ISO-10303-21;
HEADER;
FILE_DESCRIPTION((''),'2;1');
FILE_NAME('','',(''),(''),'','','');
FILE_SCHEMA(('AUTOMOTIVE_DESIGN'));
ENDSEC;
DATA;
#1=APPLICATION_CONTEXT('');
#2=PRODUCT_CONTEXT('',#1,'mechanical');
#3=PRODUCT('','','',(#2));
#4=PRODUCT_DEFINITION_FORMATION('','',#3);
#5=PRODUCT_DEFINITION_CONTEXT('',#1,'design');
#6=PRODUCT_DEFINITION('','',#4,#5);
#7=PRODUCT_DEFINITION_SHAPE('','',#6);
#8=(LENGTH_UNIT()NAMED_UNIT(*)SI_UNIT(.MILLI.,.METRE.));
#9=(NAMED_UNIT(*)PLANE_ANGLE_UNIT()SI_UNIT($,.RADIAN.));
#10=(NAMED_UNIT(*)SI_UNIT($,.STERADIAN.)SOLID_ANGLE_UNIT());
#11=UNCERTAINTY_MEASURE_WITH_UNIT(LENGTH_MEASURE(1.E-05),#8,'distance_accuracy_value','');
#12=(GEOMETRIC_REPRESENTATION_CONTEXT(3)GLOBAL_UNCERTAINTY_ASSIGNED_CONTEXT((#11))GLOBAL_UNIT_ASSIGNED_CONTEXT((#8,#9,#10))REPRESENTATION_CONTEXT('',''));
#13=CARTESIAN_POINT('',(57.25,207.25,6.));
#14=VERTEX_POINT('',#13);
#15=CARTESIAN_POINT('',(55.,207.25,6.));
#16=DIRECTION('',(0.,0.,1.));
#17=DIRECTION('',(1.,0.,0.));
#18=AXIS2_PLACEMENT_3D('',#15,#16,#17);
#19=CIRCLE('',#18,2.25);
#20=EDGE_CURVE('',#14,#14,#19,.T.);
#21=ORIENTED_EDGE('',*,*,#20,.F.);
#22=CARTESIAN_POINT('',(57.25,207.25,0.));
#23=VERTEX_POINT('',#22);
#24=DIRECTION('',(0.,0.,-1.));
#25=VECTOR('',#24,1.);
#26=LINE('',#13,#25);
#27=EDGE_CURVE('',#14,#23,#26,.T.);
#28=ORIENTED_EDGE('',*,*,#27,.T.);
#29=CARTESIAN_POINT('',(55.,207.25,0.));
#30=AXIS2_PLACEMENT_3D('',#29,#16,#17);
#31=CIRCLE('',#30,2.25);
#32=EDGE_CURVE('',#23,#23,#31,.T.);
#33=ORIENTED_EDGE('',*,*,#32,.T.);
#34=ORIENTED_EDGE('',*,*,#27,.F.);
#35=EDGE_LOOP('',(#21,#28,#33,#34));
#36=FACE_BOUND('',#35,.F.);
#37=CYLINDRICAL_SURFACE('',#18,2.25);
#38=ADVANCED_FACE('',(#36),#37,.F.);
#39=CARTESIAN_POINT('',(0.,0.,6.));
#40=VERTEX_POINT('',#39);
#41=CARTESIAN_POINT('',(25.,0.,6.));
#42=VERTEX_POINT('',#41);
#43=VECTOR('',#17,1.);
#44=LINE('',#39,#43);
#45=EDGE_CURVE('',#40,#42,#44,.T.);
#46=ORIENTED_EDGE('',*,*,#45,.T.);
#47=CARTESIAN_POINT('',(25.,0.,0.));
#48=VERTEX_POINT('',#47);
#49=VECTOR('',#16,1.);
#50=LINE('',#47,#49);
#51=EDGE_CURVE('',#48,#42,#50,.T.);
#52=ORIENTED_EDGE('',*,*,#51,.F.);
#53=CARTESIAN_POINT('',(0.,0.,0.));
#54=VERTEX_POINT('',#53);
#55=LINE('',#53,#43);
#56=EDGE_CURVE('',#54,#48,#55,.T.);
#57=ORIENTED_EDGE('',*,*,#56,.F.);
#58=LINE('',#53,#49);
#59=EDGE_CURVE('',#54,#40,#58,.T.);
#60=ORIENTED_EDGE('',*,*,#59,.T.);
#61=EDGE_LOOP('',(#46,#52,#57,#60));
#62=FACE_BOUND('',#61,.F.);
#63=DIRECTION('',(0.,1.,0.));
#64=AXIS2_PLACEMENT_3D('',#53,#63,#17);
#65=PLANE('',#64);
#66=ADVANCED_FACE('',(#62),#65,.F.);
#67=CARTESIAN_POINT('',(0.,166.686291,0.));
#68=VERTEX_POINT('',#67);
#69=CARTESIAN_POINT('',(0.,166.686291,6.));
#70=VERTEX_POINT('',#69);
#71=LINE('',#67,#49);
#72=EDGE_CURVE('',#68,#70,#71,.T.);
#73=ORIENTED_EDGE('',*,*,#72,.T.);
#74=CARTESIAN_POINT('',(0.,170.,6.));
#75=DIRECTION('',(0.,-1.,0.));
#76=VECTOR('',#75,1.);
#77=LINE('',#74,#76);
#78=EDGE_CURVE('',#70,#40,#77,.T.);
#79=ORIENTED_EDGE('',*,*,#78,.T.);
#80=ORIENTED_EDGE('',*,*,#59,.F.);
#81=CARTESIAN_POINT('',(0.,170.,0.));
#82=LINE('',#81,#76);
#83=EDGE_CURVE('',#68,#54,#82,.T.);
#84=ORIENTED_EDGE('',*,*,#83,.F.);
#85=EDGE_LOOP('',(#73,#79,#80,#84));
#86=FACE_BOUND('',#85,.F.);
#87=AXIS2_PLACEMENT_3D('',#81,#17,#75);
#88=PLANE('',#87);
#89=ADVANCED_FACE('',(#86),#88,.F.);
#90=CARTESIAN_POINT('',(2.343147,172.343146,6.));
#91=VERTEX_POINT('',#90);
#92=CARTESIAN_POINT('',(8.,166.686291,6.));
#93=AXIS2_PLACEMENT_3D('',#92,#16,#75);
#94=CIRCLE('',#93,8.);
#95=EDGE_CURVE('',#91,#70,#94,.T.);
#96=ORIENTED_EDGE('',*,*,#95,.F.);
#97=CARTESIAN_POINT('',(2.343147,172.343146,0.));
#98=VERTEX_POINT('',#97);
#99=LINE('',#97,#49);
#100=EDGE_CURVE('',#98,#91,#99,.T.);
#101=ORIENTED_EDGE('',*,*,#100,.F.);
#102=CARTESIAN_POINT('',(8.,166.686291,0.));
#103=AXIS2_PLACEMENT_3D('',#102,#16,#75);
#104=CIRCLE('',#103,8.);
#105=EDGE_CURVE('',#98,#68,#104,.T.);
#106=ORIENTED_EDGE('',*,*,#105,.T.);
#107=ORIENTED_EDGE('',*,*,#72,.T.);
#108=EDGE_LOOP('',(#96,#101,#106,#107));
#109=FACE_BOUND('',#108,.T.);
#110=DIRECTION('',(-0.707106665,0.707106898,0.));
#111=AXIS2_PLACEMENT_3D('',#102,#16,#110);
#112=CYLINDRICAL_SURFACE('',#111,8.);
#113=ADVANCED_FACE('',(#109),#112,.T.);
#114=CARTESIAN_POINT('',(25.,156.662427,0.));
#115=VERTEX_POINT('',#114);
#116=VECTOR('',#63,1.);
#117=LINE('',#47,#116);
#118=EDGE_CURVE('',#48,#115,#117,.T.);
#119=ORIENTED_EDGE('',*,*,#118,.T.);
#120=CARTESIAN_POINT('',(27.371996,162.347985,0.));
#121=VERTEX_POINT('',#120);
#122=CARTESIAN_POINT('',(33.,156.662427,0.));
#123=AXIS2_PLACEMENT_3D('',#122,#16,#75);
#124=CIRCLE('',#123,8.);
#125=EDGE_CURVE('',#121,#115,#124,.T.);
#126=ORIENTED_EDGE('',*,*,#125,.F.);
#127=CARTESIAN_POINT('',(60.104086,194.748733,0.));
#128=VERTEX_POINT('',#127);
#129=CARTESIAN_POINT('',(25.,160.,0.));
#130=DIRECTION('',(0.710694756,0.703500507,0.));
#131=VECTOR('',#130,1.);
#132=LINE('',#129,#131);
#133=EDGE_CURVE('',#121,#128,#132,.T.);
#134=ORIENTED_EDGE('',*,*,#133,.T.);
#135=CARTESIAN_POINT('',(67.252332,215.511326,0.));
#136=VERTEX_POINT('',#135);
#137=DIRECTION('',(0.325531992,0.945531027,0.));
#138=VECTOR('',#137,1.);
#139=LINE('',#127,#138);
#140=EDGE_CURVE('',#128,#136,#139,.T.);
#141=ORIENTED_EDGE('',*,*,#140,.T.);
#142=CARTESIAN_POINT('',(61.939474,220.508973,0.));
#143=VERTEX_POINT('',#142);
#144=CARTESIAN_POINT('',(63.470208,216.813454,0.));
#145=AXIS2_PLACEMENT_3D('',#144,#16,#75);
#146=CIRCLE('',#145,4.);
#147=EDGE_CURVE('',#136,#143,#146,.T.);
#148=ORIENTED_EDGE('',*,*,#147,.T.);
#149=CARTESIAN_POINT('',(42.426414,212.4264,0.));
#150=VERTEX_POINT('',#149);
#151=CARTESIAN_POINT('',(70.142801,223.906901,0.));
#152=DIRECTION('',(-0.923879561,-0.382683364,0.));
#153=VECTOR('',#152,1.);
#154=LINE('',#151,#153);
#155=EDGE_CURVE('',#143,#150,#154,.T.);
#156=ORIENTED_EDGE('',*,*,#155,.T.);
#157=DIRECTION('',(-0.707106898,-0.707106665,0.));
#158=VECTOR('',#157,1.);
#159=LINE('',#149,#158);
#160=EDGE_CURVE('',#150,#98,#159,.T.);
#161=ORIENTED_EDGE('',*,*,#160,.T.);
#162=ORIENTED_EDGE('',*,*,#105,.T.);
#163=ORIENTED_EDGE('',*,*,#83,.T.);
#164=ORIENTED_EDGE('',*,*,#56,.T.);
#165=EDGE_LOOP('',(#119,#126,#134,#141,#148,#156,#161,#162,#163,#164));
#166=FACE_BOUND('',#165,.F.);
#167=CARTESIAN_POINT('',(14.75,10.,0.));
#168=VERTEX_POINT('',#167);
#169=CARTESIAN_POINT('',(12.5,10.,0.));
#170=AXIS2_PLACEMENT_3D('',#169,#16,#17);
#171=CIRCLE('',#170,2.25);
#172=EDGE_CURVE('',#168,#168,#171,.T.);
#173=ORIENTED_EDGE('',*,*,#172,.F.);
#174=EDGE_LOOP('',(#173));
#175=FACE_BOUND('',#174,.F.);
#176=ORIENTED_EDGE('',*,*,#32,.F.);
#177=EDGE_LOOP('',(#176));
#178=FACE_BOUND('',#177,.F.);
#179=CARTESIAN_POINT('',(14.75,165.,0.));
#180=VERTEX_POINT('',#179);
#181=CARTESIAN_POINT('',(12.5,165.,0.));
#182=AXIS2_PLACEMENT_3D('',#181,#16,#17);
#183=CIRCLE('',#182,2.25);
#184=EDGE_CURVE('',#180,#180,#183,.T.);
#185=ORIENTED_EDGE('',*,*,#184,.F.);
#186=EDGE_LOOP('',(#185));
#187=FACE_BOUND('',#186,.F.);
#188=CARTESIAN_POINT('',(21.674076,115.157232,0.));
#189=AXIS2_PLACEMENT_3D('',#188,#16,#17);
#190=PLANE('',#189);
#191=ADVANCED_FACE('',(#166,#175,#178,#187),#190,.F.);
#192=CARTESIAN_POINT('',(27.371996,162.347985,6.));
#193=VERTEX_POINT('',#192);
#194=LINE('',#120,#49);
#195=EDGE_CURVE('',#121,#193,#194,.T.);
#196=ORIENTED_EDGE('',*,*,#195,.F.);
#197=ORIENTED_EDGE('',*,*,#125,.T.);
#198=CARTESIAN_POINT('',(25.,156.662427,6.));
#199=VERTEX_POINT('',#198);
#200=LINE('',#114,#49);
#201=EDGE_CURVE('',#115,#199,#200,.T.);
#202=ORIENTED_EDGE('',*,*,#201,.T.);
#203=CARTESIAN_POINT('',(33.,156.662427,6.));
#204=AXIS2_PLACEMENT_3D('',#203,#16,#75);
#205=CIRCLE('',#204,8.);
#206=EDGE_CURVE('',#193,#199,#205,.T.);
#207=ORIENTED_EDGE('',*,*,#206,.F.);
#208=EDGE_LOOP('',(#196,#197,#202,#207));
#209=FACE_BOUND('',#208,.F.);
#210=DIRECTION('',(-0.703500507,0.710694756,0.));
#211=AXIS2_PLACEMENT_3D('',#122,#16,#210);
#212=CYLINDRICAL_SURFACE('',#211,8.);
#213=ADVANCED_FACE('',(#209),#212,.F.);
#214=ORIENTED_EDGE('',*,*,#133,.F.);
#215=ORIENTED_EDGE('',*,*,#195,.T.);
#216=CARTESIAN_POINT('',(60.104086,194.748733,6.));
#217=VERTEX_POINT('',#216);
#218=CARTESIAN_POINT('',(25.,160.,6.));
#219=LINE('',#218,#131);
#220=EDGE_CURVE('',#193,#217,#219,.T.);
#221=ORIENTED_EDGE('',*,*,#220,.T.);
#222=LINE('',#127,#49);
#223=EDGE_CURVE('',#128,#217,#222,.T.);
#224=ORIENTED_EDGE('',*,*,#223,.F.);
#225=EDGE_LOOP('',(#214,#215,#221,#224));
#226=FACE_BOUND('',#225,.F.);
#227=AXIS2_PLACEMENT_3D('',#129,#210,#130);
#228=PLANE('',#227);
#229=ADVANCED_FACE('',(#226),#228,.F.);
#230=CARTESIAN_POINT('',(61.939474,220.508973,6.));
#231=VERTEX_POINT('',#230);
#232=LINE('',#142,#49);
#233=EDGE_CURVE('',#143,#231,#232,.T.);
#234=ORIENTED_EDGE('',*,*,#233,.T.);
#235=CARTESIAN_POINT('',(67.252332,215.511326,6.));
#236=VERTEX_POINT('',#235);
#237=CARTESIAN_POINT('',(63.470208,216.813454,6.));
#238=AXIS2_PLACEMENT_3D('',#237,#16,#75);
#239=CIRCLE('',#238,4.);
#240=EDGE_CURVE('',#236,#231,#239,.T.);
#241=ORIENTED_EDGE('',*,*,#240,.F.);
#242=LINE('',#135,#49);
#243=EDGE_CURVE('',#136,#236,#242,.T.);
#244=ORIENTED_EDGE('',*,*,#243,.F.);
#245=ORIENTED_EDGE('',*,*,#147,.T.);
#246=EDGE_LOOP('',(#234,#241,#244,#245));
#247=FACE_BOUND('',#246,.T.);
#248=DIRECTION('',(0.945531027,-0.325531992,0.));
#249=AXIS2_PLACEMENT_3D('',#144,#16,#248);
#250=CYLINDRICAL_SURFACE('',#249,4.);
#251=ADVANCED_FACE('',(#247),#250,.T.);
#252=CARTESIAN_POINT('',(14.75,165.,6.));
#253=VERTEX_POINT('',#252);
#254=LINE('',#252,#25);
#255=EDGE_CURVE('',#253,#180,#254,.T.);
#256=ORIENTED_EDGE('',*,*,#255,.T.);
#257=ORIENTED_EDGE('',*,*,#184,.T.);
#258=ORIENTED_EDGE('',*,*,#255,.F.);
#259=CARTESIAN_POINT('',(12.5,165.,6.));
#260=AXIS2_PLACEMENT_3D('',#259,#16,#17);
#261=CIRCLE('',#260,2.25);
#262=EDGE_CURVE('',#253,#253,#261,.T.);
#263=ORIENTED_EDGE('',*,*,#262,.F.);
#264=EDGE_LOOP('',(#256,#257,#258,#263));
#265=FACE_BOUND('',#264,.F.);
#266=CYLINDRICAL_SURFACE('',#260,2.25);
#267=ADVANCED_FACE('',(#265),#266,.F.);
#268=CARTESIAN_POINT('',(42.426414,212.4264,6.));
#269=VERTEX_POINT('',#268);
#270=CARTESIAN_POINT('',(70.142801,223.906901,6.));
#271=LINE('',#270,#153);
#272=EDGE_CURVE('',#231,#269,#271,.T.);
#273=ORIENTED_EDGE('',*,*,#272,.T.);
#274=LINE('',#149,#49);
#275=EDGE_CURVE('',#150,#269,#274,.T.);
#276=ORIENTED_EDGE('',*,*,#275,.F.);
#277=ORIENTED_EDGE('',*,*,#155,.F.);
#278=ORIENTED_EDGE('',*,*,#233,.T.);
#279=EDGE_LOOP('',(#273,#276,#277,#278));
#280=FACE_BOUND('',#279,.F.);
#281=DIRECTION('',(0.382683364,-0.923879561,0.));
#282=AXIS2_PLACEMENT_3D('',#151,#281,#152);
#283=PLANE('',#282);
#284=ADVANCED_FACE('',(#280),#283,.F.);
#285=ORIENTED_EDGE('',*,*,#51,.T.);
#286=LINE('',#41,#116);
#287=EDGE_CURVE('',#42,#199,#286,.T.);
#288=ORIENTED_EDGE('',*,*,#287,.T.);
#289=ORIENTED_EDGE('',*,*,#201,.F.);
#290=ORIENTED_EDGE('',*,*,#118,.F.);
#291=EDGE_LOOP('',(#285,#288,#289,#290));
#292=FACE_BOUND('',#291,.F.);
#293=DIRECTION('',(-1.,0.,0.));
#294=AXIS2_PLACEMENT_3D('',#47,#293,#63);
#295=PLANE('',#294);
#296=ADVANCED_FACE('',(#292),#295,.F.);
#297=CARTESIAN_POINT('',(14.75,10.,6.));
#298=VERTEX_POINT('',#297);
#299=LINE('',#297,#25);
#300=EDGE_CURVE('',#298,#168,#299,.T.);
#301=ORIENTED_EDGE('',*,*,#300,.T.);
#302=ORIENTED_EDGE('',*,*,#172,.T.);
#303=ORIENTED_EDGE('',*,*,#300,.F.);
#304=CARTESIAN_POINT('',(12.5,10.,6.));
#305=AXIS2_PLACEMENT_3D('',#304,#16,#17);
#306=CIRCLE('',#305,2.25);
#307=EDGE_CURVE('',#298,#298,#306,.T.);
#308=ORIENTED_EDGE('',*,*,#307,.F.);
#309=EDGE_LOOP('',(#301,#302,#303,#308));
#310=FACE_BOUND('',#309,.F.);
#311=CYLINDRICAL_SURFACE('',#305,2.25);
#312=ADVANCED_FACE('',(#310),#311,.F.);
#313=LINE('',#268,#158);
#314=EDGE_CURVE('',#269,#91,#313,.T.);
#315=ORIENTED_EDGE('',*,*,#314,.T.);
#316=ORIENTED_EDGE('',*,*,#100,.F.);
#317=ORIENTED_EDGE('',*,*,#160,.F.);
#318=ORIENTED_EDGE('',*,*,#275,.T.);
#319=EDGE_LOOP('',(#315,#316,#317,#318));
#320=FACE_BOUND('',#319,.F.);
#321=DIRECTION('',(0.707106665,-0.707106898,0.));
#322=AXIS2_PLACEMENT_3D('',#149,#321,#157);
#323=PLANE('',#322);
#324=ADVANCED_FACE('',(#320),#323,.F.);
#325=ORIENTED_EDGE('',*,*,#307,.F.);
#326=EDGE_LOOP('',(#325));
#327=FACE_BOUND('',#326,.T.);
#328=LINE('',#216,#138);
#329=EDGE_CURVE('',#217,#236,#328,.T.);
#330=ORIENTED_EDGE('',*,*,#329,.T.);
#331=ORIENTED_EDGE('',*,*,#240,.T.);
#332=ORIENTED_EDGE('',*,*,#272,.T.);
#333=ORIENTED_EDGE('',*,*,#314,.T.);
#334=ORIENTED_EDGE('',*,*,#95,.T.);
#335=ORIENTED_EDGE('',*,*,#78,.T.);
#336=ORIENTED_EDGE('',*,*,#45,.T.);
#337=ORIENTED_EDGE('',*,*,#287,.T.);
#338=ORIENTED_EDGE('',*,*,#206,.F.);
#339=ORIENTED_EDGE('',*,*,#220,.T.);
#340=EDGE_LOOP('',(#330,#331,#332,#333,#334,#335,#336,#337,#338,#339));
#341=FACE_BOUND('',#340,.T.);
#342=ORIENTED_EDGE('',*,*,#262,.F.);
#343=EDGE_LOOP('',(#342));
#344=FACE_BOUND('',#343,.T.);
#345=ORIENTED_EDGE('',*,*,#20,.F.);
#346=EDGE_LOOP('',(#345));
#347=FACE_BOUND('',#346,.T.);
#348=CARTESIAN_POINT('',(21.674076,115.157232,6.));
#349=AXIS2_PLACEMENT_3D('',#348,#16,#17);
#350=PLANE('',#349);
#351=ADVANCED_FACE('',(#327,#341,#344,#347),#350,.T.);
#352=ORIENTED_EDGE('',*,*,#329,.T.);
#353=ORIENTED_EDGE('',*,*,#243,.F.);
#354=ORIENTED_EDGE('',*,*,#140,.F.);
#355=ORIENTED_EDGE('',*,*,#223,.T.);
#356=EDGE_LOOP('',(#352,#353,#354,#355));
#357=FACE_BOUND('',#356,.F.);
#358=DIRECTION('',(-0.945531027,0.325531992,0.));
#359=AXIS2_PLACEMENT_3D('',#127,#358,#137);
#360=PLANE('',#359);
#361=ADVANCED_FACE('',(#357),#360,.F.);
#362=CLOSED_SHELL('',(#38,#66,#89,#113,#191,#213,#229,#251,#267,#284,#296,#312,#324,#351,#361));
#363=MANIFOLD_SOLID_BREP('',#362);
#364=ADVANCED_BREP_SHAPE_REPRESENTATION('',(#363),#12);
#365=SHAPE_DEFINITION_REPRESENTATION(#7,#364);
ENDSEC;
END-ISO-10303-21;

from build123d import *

# Parameters (mm, degrees)
PAD_DEPTH    = 6
FILLET_R     = 8
FILLET001_R  = 8
FILLET002_R  = 4
SKETCH001_R  = 2.25
POCKET_DEPTH = 6


with BuildPart() as part:
    # Sketch → Pad (new body)
    with BuildSketch(Plane.XY):
        Polygon((0, 0), (25, 0), (25, 150), (25, 160), (60.104086, 194.748733), (70.142801, 223.906901), (42.426414, 212.4264), (0, 170), (0, 150), align=None)
    extrude(amount=PAD_DEPTH)

    # Fillet
    fillet_edges = [part.edges().sort_by_distance(p)[0] for p in [
        (0, 170, 3),
    ]]
    fillet(fillet_edges, radius=FILLET_R)

    # Fillet001
    fillet001_edges = [part.edges().sort_by_distance(p)[0] for p in [
        (25, 160, 3),
    ]]
    fillet(fillet001_edges, radius=FILLET001_R)

    # Fillet002
    fillet002_edges = [part.edges().sort_by_distance(p)[0] for p in [
        (70.142801, 223.906901, 3),
    ]]
    fillet(fillet002_edges, radius=FILLET002_R)

    # Sketch001 (on Face12 of Fillet002) → Pocket (cut)
    with BuildSketch(Plane.XY.offset(6)):
        with Locations((12.5, 165)):
            Circle(SKETCH001_R)
        with Locations((55, 207.25)):
            Circle(SKETCH001_R)
        with Locations((12.5, 10)):
            Circle(SKETCH001_R)
    extrude(amount=-POCKET_DEPTH, mode=Mode.SUBTRACT)


solid = part.part
